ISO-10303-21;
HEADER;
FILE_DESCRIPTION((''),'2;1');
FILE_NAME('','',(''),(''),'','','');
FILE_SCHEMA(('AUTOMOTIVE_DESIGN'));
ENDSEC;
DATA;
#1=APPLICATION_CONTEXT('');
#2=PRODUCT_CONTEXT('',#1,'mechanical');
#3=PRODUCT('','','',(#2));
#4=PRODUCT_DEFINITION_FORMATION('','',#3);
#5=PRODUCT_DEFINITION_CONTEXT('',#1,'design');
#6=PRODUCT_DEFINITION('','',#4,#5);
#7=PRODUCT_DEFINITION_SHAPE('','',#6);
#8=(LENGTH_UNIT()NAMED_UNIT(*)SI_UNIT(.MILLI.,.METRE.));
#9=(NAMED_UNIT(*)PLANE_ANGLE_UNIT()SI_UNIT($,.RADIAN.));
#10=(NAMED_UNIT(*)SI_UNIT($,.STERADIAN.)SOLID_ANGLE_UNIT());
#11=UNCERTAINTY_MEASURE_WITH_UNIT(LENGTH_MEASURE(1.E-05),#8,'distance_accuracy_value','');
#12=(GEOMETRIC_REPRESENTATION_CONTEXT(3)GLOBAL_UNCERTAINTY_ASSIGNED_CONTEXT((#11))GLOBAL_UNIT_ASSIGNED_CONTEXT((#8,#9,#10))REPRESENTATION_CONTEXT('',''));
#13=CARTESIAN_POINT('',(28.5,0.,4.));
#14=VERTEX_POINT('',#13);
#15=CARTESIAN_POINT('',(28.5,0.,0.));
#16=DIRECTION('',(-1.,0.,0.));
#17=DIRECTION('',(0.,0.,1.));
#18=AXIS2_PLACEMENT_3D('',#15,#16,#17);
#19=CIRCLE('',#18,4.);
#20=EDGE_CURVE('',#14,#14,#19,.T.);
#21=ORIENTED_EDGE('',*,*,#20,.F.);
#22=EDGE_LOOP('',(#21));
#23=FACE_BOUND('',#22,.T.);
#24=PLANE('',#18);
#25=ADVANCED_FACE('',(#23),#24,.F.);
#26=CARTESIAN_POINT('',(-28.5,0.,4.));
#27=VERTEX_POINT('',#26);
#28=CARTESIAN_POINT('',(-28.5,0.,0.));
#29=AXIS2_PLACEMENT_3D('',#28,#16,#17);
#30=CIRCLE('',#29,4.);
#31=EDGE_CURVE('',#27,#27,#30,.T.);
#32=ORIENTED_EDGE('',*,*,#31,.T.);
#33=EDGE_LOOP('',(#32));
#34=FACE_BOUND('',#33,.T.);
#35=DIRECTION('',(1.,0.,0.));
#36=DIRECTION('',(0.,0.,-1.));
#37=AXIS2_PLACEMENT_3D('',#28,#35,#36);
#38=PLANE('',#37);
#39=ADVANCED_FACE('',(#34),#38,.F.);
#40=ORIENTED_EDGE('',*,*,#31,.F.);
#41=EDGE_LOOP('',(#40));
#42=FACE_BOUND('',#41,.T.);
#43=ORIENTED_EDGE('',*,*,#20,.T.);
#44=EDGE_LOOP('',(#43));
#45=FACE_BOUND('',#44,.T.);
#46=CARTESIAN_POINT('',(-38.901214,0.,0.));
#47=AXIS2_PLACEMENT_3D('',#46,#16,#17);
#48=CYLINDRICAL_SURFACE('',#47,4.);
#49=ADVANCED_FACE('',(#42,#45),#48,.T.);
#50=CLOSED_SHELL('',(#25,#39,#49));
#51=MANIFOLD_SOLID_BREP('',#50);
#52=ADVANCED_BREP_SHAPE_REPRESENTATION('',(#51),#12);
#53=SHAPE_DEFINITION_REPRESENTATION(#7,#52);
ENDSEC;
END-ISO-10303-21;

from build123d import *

# Parameters (mm, degrees)
SKETCH1_W = 57
SKETCH1_H = 4


with BuildPart() as part:
    # Sketch1 → Revolve1 (revolve)
    with BuildSketch(Plane.XY, mode=Mode.PRIVATE) as revolve1_sk:
        with Locations((0, 2)):
            Rectangle(SKETCH1_W, SKETCH1_H)
    revolve(revolve1_sk.sketch.rotate(Axis((-38.901213553, 0, 0), (1, 0, 0)), 90), axis=Axis((-38.901213553, 0, 0), (1, 0, 0)))


solid = part.part
